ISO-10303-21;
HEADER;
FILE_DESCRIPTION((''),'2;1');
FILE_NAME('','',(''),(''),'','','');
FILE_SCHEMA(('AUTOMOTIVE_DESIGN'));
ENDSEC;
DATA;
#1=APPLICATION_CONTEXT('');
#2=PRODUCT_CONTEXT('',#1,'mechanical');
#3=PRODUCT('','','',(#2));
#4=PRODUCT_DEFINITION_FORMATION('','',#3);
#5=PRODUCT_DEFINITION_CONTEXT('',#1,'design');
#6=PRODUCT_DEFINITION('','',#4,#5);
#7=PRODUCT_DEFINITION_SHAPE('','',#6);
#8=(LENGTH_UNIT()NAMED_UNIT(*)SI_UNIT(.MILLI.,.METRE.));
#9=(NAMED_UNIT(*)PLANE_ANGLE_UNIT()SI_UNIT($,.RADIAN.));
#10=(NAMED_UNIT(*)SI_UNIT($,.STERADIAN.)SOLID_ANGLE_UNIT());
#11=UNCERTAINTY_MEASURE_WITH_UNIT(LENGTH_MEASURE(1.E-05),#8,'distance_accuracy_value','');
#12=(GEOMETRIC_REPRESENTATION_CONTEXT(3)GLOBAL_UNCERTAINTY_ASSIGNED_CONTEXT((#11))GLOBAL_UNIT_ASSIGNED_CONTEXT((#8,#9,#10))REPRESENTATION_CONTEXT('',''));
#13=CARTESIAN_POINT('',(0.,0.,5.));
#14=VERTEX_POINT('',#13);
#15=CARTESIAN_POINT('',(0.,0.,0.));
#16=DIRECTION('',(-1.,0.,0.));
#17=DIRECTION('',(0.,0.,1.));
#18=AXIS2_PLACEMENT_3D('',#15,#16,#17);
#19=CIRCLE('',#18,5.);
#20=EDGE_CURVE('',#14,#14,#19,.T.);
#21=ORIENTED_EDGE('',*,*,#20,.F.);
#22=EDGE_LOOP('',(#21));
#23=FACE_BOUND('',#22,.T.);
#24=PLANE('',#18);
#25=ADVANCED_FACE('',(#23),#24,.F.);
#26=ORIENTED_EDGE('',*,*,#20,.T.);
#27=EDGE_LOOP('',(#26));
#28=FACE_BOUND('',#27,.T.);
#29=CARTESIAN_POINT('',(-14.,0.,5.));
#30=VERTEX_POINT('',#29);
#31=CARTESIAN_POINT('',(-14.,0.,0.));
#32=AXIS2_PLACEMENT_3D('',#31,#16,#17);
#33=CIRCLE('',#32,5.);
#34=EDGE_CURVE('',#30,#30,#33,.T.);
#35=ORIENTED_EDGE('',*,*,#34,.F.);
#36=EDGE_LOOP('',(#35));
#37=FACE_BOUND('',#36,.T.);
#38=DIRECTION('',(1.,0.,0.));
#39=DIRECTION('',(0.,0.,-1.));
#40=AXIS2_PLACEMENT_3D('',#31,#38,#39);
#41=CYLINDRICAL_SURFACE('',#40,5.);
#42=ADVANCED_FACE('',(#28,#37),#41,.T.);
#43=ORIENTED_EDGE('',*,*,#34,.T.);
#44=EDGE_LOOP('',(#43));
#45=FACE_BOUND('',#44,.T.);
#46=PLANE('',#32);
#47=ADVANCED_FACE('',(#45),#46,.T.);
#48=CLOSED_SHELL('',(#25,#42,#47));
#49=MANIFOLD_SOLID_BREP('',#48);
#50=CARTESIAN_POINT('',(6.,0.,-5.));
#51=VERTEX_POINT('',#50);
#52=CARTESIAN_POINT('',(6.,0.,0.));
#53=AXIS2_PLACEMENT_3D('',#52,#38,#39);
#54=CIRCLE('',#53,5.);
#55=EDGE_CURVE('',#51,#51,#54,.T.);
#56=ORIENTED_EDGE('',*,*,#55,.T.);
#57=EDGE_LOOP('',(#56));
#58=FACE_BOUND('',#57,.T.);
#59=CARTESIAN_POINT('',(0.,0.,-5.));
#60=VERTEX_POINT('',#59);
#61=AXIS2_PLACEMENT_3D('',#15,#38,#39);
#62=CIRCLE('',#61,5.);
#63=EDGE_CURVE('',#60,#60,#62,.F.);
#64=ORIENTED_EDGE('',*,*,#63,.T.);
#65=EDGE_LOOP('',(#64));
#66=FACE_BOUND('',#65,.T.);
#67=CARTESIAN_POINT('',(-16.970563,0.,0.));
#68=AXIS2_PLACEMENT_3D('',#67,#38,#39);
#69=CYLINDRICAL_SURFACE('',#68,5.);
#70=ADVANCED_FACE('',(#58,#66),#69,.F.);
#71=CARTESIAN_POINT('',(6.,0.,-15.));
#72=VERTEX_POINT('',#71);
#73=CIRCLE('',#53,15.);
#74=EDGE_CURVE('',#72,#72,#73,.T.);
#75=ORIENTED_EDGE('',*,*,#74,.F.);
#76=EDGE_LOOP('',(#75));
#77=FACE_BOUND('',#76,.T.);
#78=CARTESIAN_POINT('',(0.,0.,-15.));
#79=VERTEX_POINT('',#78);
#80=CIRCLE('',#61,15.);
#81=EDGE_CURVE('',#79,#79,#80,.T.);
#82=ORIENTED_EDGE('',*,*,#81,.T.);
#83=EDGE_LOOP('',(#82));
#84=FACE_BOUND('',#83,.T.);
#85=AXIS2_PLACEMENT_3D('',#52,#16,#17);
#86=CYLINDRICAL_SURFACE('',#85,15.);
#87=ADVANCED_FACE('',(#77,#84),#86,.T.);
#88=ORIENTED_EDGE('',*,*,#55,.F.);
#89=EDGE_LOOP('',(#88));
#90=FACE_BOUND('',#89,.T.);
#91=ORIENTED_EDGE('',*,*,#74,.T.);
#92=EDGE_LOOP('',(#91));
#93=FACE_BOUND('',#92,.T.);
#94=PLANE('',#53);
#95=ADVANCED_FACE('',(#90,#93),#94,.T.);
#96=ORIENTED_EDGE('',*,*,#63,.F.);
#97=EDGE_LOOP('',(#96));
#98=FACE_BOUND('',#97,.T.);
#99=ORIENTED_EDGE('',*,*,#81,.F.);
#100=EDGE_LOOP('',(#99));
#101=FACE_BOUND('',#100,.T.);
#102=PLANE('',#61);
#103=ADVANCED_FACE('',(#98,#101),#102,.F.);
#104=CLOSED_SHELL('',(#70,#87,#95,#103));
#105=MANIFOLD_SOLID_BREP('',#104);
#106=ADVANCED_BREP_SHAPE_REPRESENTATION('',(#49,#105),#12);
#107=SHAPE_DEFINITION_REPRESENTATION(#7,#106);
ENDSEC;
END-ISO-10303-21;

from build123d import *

# Parameters (mm, degrees)
IZIM1_R                     = 15
Y_KSEKLIK_EKSTR_ZYON1_DEPTH = 6
IZIM4_R                     = 6
KES_EKSTR_ZYON2_DEPTH       = 14
KES_EKSTR_ZYON2_DEPTH_BACK  = 14
IZIM2_R                     = 5
Y_KSEKLIK_EKSTR_ZYON2_DEPTH = 14
IZIM5_R                     = 6
IZIM5_R_2                   = 5
Y_KSEKLIK_EKSTR_ZYON3_DEPTH = 6


with BuildPart() as part:
    # Çizim1 → Yükseklik-Ekstrüzyon1 (new body)
    with BuildSketch(Plane(origin=(0, 0, 0), x_dir=(0, 0, -1), z_dir=(1, 0, 0))):
        Circle(IZIM1_R)
    extrude(amount=Y_KSEKLIK_EKSTR_ZYON1_DEPTH)

    # Çizim4 → Kes-Ekstrüzyon2 (cut, two sides)
    with BuildSketch(Plane.ZY) as kes_ekstr_zyon2_sk:
        Circle(IZIM4_R)
    extrude(amount=KES_EKSTR_ZYON2_DEPTH, mode=Mode.SUBTRACT)
    extrude(kes_ekstr_zyon2_sk.sketch, amount=-KES_EKSTR_ZYON2_DEPTH_BACK, mode=Mode.SUBTRACT)

    # Çizim5 → Yükseklik-Ekstrüzyon3 (add)
    with BuildSketch(Plane(origin=(6, 0, 0), x_dir=(0, 0, -1), z_dir=(1, 0, 0))):
        Circle(IZIM5_R)
        Circle(IZIM5_R_2, mode=Mode.SUBTRACT)
    extrude(amount=-Y_KSEKLIK_EKSTR_ZYON3_DEPTH)


with BuildPart() as body_2:
    # Çizim2 → Yükseklik-Ekstrüzyon2 (new body)
    with BuildSketch(Plane.ZY):
        Circle(IZIM2_R)
    extrude(amount=Y_KSEKLIK_EKSTR_ZYON2_DEPTH)


solid = Compound([part.part, body_2.part])
